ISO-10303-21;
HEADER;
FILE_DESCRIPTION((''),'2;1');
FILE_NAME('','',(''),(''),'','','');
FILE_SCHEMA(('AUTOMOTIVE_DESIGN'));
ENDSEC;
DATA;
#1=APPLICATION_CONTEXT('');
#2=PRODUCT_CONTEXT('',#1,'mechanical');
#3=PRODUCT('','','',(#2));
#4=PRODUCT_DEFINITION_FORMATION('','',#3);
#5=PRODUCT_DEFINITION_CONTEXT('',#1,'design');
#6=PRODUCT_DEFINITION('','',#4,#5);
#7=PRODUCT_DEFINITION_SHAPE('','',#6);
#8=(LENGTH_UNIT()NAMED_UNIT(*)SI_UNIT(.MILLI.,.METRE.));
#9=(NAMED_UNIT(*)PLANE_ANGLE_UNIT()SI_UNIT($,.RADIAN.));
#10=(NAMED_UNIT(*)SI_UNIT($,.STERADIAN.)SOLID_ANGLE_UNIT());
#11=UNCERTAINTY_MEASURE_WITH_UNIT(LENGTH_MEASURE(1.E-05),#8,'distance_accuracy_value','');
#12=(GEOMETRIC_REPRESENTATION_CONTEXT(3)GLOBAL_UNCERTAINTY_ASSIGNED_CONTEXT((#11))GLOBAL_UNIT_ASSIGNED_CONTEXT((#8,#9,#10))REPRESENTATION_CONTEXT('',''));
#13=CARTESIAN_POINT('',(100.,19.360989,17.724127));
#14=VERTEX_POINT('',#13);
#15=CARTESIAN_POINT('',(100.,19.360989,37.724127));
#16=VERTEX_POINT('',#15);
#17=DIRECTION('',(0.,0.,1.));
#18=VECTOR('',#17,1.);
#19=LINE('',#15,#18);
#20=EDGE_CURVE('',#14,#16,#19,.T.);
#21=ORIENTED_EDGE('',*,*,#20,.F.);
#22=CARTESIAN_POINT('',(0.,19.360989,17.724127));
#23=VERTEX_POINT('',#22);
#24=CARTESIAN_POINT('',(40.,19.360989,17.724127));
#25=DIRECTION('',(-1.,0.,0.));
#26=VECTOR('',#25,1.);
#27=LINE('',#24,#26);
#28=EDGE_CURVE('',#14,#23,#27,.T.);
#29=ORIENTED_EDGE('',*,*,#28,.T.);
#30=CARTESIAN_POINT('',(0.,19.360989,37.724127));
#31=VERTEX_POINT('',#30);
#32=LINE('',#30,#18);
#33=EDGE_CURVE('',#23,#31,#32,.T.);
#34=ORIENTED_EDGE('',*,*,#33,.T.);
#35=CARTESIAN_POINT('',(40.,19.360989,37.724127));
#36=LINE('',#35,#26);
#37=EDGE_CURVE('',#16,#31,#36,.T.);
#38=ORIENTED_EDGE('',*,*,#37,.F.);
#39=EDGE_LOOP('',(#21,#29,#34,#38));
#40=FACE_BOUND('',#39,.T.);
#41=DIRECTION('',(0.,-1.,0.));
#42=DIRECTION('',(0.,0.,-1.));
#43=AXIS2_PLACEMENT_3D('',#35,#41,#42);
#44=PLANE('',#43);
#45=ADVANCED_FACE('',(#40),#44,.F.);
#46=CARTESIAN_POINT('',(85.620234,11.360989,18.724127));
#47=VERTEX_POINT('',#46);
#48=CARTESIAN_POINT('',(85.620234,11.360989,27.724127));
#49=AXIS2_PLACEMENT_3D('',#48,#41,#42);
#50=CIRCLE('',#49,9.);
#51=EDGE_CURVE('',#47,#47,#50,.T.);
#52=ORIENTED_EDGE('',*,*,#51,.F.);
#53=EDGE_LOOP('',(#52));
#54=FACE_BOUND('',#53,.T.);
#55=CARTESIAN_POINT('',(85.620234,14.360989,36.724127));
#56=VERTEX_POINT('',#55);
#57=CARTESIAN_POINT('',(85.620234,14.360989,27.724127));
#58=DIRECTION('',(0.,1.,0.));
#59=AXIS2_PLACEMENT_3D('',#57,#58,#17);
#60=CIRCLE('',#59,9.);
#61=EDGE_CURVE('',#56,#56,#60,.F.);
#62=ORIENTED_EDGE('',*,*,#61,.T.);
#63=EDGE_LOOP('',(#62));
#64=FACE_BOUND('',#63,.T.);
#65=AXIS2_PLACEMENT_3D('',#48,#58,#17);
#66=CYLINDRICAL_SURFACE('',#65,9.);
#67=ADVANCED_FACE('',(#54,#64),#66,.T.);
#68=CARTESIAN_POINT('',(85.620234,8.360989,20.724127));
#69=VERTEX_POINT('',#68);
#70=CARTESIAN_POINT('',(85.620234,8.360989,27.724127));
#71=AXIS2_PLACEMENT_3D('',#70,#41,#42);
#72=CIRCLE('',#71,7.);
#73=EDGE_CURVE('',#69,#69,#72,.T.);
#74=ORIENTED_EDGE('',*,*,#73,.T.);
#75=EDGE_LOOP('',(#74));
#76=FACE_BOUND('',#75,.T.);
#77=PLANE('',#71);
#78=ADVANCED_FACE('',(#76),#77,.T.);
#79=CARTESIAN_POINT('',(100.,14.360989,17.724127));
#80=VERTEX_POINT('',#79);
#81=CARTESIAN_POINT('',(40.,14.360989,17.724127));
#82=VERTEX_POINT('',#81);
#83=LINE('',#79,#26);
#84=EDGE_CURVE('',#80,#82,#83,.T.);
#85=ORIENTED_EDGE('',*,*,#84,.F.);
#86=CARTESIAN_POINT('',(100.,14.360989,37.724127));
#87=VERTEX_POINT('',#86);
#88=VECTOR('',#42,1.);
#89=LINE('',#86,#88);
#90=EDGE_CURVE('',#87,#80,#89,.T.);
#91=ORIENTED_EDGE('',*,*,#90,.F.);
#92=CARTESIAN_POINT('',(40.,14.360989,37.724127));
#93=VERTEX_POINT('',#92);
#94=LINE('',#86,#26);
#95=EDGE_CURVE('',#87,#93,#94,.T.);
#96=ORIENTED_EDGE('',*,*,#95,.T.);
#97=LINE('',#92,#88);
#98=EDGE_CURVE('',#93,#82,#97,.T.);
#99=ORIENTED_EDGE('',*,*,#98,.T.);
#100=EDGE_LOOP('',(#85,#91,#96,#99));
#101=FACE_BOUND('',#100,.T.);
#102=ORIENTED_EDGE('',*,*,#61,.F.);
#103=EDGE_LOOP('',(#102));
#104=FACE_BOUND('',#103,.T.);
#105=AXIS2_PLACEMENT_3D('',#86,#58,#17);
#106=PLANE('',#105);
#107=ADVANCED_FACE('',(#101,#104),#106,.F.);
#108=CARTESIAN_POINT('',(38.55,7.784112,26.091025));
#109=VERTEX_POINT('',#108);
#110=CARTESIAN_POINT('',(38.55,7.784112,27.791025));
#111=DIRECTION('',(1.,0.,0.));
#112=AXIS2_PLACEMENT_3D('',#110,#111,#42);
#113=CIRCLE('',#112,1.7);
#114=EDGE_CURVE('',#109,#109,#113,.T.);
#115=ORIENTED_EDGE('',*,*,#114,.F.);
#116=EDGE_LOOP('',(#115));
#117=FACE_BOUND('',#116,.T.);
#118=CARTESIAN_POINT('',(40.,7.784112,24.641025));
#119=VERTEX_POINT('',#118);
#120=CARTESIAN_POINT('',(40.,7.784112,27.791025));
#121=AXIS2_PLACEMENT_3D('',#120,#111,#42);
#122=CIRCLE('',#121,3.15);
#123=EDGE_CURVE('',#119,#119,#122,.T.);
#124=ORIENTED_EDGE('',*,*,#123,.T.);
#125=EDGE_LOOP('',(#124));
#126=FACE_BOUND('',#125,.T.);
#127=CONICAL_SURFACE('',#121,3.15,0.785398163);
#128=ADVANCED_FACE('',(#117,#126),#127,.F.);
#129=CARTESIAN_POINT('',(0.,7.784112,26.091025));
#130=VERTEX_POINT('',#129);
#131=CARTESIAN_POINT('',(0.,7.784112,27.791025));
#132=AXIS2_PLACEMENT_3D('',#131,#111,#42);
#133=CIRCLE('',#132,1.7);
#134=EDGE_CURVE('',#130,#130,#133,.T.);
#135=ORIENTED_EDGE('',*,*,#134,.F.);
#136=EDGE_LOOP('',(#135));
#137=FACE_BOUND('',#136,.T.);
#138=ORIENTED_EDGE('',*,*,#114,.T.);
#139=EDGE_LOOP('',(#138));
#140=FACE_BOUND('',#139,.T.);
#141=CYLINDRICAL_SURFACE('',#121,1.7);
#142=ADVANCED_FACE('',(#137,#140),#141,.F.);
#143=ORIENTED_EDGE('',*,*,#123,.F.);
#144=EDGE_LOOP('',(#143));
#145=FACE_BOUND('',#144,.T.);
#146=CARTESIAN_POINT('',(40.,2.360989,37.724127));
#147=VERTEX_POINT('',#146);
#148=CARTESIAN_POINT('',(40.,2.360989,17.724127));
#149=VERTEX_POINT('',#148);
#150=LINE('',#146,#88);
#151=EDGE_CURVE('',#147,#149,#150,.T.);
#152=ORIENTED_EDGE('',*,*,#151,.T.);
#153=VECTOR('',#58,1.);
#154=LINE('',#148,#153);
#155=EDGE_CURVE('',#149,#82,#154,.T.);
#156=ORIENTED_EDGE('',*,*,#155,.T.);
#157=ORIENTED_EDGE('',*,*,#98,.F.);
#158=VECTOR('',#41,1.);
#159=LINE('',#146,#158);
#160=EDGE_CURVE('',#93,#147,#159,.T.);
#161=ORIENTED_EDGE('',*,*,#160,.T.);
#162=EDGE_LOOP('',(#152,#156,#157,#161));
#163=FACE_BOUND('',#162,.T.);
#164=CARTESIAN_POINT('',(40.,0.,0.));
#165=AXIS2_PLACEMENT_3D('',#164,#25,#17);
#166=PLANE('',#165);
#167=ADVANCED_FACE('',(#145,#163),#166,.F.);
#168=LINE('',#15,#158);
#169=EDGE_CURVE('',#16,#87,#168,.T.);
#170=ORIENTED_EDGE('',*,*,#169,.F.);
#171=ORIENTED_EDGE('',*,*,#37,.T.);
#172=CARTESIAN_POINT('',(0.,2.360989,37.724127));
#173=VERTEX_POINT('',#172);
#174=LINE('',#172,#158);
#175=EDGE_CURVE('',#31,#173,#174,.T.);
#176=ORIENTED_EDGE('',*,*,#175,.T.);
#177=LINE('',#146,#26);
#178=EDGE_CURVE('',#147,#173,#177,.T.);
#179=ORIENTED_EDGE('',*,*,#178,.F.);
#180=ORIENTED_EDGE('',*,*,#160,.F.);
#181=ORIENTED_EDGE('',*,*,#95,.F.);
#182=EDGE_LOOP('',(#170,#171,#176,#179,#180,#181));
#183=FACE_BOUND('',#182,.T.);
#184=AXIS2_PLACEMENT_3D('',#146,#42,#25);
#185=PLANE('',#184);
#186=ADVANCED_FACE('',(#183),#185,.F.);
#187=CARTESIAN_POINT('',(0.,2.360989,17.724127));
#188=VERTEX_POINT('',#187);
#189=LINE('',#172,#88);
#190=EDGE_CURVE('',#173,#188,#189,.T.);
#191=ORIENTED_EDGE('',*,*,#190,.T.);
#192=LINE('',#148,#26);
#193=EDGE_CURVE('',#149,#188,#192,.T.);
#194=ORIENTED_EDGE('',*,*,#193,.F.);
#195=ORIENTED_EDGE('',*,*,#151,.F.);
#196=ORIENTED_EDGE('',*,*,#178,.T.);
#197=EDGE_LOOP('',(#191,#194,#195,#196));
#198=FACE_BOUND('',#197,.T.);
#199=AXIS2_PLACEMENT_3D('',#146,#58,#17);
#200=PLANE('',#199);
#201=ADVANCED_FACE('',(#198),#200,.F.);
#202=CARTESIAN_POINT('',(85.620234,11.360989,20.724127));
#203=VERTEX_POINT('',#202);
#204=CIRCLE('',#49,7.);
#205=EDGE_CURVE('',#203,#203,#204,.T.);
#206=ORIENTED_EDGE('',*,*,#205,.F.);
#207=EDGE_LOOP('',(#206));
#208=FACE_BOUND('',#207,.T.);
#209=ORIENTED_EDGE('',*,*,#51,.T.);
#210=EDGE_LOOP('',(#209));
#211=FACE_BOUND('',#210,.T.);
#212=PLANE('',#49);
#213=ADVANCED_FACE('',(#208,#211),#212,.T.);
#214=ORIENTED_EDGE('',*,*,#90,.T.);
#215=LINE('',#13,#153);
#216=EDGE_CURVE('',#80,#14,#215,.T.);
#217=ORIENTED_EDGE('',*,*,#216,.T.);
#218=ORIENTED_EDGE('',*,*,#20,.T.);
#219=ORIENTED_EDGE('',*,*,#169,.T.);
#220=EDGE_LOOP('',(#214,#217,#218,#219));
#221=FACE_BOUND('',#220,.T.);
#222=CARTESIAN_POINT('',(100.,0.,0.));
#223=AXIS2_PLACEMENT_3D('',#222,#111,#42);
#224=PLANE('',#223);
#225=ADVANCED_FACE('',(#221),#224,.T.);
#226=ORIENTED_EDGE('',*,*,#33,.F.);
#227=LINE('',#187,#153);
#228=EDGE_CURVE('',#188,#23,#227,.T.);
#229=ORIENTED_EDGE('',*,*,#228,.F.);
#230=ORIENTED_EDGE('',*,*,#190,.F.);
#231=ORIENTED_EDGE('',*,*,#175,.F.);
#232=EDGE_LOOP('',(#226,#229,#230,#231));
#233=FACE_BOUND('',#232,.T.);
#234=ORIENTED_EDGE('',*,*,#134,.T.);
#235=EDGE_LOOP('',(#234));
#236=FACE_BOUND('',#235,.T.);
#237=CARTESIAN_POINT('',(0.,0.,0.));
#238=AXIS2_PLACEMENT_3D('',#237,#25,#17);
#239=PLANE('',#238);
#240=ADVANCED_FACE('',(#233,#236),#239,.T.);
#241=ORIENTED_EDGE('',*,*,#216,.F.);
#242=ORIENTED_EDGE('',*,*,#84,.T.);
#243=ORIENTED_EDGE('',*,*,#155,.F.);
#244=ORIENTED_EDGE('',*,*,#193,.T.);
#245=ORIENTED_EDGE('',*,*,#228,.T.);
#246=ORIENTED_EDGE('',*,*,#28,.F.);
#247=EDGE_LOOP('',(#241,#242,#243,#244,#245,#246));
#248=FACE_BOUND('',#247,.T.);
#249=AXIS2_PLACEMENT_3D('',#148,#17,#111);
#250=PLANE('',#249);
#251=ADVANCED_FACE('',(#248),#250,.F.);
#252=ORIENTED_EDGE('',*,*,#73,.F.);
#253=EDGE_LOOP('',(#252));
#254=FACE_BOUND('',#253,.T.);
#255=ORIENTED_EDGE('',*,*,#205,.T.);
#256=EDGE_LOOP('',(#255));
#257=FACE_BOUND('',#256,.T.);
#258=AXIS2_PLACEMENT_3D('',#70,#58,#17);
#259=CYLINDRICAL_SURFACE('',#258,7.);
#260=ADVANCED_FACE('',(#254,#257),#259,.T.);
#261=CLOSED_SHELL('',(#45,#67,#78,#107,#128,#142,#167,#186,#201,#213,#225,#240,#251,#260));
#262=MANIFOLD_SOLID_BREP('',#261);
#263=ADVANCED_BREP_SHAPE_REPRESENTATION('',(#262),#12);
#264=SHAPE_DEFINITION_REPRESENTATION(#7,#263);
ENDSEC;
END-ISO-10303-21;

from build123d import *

# Parameters (mm, degrees)
SKETCH_1_W      = 20
SKETCH_1_H      = 17
EXTRUDE_1_DEPTH = 40
SKETCH_2_W      = 20
SKETCH_2_H      = 5
EXTRUDE_2_DEPTH = 60
SKETCH_3_R      = 9
EXTRUDE_3_DEPTH = 3
SKETCH_4_R      = 7
EXTRUDE_4_DEPTH = 3


with BuildPart() as part:
    # Эскиз1 → Бобышка-Вытянуть1 (new body)
    with BuildSketch(Plane(origin=(0, 0, 0), x_dir=(0, 0, -1), z_dir=(1, 0, 0))):
        with Locations((-27.72412662, 10.860988518)):
            Rectangle(SKETCH_1_W, SKETCH_1_H)
    extrude(amount=EXTRUDE_1_DEPTH)

    # Эскиз2 → Бобышка-Вытянуть2 (add)
    with BuildSketch(Plane(origin=(40, 0, 0), x_dir=(0, 0, -1), z_dir=(1, 0, 0))):
        with Locations((-27.72412662, 16.860988518)):
            Rectangle(SKETCH_2_W, SKETCH_2_H)
    extrude(amount=EXTRUDE_2_DEPTH)

    # Эскиз3 → Бобышка-Вытянуть3 (add)
    with BuildSketch(Plane.XZ.offset(-14.360988518)):
        with Locations(Location((85.620234383, 27.72412662, 0), (0, 0, 90))):
            Circle(SKETCH_3_R)
    extrude(amount=EXTRUDE_3_DEPTH)

    # Эскиз4 → Бобышка-Вытянуть4 (add)
    with BuildSketch(Plane.XZ.offset(-11.360988518)):
        with Locations(Location((85.620234383, 27.72412662, 0), (0, 0, 270))):
            Circle(SKETCH_4_R)
    extrude(amount=EXTRUDE_4_DEPTH)

    # Эскиз15 → Зенковка для винта с полупотайной головкой M32 (revolve, cut)
    with BuildSketch(Plane(origin=(40, 7.784111953, 27.791024889), x_dir=(0, 0, -1), z_dir=(0, 1, 0))):
        Polygon((0, 0), (0, 40), (1.7, 40), (1.7, 1.45), (3.15, 0), align=None)
    revolve(axis=Axis((46.35, 7.784111953, 27.791024889), (-1, 0, 0)), mode=Mode.SUBTRACT)


solid = part.part
